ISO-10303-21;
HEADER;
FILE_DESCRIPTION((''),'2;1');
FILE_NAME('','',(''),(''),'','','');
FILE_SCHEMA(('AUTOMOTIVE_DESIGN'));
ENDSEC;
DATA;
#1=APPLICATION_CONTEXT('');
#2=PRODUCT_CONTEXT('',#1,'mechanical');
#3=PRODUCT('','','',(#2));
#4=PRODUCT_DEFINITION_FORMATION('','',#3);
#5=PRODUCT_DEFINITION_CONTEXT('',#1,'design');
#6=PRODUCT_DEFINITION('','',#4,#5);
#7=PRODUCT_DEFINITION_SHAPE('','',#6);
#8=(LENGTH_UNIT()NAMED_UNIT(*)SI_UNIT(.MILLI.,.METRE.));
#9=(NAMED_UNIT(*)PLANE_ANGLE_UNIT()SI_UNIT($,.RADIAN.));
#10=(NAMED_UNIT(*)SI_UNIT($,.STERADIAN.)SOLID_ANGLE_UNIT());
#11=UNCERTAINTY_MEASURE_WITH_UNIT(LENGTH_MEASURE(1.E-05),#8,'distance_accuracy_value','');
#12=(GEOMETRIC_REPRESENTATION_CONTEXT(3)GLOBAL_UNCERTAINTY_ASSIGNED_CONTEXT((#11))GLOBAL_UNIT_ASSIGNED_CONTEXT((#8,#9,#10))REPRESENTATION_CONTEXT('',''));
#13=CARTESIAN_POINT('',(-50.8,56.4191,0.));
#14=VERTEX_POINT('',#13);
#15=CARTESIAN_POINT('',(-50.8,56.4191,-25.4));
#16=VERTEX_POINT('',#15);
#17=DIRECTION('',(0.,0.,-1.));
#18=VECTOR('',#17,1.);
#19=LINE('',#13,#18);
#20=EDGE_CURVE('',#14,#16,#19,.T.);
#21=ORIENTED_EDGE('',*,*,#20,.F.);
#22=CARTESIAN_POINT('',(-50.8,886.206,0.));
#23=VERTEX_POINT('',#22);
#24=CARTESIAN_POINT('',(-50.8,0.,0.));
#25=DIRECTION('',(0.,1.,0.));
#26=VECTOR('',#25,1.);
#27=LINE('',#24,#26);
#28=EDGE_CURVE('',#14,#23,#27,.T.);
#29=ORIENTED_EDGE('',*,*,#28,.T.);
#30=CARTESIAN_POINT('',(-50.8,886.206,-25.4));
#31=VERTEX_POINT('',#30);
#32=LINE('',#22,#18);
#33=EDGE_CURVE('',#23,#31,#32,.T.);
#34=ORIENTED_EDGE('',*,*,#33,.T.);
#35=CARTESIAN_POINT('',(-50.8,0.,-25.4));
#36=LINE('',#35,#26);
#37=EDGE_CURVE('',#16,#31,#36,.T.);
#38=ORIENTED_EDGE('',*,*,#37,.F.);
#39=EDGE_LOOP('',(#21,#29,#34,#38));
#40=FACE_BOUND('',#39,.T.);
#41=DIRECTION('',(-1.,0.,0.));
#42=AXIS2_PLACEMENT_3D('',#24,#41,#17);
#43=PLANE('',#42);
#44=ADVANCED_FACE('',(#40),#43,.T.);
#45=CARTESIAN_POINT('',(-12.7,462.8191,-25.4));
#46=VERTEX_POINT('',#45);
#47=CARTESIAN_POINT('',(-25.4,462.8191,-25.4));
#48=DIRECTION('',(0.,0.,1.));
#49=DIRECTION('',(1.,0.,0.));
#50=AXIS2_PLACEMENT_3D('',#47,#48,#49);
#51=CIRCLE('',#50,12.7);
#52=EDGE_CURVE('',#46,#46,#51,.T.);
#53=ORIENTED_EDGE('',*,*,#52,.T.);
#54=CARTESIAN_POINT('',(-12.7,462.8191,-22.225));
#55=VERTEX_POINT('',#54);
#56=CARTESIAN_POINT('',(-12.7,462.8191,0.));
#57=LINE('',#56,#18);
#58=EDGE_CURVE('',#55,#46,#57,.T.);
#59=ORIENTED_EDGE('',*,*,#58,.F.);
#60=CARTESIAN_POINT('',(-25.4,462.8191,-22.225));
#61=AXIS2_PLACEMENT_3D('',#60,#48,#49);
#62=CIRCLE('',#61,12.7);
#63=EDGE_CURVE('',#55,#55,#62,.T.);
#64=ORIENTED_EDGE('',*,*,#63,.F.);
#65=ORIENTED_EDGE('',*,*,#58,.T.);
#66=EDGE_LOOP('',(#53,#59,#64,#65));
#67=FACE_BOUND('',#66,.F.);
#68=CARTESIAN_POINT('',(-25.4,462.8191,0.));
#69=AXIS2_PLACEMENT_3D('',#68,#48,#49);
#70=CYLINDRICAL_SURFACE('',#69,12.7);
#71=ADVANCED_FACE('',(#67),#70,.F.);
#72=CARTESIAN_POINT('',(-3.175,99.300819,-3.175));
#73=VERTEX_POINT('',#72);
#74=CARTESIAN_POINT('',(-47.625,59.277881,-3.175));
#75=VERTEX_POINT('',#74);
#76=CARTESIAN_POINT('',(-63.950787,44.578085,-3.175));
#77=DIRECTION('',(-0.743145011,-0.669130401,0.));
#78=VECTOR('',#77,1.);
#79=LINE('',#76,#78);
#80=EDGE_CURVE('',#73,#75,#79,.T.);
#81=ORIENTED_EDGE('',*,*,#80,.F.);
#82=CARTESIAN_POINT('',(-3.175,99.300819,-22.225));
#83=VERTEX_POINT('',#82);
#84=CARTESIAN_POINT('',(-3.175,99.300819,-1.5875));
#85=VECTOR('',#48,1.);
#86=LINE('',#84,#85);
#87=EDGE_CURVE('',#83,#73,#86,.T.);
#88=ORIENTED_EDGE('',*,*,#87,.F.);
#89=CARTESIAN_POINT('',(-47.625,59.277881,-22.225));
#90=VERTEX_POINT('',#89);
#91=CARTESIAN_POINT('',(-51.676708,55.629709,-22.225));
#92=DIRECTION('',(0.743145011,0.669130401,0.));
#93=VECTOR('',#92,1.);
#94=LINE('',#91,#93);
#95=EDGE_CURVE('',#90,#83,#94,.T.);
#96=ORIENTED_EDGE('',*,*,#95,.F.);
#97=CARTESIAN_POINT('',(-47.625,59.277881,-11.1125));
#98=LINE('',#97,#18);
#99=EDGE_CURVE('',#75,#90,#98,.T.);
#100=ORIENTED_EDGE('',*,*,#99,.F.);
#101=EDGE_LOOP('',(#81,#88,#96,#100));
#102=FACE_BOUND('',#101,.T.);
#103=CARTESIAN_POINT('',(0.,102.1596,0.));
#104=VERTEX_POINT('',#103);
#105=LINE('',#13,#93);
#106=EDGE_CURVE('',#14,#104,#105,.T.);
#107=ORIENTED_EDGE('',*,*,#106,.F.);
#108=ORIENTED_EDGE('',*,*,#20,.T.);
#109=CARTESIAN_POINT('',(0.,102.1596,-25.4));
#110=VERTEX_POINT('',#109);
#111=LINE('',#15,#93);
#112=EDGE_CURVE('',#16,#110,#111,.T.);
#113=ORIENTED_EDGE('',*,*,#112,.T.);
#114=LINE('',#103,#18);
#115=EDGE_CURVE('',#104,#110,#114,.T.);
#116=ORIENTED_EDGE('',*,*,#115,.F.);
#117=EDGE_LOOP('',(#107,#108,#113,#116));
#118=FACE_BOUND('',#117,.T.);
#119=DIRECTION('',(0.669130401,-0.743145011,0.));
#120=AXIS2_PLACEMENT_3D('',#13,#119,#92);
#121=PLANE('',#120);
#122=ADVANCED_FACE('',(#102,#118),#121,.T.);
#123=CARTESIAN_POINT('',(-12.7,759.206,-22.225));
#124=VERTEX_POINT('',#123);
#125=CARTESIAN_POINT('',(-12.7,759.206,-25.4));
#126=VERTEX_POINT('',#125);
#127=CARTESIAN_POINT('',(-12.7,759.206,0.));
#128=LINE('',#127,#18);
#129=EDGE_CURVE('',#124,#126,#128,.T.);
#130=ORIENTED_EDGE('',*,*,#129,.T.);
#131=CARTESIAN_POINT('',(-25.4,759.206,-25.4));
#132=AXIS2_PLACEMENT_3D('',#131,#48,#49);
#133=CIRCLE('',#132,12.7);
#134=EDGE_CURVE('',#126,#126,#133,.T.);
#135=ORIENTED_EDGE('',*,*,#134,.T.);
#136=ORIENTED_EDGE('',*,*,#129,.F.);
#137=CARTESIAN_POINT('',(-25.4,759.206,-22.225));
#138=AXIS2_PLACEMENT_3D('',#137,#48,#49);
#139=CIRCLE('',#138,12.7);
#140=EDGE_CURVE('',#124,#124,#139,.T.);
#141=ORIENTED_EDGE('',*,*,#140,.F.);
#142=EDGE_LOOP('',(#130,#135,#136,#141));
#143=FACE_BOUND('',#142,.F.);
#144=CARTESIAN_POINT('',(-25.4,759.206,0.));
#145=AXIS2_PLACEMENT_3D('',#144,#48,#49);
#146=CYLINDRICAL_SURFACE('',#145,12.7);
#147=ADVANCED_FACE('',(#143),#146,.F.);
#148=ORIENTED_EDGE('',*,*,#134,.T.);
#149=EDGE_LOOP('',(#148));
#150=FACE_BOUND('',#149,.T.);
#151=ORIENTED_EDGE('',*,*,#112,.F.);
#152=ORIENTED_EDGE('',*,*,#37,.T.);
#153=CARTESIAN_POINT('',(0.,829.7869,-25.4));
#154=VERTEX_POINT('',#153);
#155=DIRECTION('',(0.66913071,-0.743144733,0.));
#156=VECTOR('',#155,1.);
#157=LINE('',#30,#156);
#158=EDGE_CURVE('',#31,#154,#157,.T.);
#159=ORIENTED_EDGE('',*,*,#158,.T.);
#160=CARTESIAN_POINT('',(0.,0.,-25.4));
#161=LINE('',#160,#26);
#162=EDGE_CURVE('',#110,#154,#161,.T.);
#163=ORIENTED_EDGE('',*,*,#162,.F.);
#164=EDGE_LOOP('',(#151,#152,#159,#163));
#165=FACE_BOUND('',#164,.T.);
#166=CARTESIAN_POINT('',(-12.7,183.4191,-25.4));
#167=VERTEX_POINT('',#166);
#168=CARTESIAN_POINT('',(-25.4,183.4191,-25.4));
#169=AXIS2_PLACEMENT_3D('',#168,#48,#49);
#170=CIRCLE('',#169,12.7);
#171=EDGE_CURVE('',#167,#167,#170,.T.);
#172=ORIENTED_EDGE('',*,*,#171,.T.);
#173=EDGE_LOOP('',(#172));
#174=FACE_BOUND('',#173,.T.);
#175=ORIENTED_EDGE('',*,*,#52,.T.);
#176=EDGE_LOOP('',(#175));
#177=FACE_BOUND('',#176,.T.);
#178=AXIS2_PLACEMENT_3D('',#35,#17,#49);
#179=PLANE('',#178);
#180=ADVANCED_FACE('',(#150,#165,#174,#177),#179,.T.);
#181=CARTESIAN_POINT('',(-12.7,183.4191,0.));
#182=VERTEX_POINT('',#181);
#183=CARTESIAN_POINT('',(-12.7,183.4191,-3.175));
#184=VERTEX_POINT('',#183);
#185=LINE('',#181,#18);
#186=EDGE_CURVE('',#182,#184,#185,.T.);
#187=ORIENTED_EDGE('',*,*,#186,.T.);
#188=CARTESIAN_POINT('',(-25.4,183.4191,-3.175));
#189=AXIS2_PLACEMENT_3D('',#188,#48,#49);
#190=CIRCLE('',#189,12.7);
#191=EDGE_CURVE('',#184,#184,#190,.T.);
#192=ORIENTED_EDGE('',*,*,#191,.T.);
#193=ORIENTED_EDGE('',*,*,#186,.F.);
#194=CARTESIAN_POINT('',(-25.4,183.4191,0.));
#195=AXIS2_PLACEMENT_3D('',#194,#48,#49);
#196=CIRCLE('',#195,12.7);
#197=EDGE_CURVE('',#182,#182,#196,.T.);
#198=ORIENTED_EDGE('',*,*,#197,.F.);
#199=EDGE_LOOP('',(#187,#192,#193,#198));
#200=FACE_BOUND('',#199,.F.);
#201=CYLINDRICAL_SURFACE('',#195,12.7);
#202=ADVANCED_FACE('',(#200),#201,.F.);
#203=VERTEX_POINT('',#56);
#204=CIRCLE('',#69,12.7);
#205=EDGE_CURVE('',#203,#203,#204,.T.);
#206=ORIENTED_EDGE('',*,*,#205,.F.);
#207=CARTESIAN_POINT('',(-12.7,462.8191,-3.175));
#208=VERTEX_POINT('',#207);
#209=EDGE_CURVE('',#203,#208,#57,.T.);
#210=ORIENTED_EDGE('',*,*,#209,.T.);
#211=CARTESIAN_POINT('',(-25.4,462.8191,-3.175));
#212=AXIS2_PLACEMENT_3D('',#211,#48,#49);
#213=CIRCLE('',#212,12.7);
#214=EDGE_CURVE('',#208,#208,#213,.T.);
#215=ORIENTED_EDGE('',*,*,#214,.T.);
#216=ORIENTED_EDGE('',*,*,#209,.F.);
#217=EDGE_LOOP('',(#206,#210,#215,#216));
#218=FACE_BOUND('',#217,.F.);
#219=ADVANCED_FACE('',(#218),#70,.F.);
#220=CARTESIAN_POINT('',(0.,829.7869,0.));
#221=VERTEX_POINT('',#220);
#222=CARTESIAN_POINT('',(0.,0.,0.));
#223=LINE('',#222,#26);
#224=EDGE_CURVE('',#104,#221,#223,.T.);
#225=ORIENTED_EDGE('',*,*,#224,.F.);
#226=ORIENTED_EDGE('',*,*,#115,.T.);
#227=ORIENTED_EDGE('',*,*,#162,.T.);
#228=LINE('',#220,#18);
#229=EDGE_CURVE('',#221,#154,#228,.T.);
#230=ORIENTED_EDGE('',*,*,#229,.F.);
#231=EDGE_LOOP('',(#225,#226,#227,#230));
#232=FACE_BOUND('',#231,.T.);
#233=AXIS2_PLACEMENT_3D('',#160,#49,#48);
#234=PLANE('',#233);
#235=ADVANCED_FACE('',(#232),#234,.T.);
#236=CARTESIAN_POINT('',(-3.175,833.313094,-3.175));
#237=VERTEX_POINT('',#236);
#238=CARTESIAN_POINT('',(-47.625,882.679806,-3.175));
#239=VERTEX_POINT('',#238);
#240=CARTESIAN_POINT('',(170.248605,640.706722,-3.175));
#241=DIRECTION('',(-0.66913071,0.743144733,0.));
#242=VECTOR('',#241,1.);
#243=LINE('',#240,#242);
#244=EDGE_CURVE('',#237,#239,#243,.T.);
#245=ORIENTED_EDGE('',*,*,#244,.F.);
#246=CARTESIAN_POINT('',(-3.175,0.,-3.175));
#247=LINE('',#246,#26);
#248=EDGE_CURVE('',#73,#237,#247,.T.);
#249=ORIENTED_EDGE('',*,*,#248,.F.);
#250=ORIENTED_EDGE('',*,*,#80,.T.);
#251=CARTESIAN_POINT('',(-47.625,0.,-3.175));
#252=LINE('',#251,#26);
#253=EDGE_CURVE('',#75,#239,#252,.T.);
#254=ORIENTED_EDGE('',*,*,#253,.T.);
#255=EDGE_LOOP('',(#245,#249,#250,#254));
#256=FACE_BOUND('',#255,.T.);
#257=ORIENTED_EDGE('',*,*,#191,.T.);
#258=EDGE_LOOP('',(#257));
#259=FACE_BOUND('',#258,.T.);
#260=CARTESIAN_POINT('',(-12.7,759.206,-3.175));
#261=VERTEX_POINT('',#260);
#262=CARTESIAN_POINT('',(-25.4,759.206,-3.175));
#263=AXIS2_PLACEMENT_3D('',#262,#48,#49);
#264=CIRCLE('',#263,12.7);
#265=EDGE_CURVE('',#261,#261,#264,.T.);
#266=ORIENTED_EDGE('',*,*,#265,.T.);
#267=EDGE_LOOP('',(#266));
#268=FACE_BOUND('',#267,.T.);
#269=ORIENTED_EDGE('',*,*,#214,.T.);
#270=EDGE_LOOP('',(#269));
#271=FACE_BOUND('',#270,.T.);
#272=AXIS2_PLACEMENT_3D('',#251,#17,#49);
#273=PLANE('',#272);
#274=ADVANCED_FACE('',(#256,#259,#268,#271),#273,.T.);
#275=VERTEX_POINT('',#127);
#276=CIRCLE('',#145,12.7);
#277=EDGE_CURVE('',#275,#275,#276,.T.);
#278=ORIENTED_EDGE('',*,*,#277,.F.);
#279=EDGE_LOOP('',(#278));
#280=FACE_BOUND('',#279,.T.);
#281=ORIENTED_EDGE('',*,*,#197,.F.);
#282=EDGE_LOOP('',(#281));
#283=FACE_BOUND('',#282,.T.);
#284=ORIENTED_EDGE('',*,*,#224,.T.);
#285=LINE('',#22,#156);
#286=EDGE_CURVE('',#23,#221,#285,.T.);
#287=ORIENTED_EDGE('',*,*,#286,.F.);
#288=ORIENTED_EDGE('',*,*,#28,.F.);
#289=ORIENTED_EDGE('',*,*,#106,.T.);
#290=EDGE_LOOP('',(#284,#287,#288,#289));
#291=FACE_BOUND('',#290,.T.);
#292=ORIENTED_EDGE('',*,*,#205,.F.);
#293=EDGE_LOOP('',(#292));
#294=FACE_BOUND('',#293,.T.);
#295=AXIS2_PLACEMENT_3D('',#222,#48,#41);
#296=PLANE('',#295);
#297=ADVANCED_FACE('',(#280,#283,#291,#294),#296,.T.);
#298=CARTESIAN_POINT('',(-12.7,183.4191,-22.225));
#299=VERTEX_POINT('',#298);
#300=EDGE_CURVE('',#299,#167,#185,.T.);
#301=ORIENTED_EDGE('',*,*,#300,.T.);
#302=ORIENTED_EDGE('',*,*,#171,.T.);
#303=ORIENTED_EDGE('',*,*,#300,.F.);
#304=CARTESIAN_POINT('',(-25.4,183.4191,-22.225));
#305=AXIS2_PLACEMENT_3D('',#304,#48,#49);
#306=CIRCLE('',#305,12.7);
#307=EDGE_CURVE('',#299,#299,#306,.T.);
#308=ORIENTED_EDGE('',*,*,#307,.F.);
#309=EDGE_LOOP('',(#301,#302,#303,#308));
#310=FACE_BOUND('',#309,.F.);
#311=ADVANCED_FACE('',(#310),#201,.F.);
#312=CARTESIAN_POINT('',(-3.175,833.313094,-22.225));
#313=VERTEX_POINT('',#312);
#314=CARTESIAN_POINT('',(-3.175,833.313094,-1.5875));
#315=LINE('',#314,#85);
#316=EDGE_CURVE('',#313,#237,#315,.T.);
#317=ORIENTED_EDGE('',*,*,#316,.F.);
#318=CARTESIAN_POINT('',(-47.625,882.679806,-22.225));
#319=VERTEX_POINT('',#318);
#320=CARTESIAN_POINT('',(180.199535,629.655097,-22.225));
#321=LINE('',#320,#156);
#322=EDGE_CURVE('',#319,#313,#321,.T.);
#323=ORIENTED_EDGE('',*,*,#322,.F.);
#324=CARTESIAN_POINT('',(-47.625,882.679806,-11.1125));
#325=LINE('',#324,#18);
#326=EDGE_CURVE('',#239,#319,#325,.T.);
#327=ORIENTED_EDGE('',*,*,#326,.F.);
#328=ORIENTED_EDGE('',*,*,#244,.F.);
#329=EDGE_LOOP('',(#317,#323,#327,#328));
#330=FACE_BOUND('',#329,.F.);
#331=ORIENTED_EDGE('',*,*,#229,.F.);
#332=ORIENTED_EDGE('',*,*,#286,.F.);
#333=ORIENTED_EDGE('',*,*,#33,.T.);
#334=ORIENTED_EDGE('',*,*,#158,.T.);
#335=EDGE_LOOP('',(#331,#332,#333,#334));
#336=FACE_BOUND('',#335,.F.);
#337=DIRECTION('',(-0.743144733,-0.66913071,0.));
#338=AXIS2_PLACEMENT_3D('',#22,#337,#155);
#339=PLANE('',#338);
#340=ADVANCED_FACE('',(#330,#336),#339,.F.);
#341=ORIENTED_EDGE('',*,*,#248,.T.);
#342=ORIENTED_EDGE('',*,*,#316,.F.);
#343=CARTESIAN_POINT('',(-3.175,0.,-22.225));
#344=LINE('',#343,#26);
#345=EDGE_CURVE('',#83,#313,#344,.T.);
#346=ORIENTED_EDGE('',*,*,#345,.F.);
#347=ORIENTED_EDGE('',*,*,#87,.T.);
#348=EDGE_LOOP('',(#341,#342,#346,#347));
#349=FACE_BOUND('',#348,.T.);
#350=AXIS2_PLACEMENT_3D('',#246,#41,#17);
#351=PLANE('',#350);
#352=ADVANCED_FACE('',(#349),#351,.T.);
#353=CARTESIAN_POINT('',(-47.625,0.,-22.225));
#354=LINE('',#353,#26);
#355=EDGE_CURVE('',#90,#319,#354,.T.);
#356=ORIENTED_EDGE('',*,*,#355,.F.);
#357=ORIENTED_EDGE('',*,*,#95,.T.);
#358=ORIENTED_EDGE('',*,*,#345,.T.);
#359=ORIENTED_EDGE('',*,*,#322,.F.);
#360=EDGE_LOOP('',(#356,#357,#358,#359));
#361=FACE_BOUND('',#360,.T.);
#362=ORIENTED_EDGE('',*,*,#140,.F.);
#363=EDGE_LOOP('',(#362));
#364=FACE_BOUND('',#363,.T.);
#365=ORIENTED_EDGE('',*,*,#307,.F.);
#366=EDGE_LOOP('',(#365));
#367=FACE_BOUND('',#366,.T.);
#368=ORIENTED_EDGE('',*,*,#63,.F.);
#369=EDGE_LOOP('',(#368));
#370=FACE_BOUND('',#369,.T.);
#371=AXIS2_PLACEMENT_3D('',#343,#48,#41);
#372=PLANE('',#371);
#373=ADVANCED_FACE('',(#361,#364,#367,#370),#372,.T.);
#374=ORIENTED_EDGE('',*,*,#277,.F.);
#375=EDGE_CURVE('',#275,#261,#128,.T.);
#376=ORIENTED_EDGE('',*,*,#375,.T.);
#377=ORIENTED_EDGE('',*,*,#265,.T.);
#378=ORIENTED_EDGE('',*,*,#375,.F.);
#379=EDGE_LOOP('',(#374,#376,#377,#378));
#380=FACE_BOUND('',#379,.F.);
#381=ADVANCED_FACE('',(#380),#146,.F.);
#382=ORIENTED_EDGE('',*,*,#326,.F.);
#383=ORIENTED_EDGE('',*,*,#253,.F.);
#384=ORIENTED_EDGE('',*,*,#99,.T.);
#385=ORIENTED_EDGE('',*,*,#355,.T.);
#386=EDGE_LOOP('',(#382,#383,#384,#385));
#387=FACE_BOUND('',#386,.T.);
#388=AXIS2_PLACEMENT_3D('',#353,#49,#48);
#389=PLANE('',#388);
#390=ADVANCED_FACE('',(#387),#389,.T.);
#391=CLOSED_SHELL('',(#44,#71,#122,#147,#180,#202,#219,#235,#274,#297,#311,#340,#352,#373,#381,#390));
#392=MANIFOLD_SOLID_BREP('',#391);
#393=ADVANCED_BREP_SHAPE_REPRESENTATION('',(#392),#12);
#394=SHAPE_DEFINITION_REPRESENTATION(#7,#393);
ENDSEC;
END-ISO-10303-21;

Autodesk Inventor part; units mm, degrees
ref_plane "YZ Plane" through (0, 0, 0) normal (1, 0, 0) x (0, 1, 0)
ref_plane "XZ Plane" through (0, 0, 0) normal (0, 1, 0) x (-1, 0, 0)
ref_plane "XY Plane" through (0, 0, 0) normal (0, 0, 1) x (1, 0, 0)
sketch "Sketch1" plane through (0, 0, 0) normal (0, 1, 0) x (-1, 0, 0)
  line L0 (0, 0) -> (50.8, 0)
  line L1 (50.8, 0) -> (50.8, -25.4)
  line L2 (50.8, -25.4) -> (0, -25.4)
  line L3 (0, -25.4) -> (0, 0)
  line L4 (47.625, -22.225) -> (47.625, -3.175)
  line L5 (47.625, -3.175) -> (3.175, -3.175)
  line L6 (3.175, -3.175) -> (3.175, -22.225)
  line L7 (3.175, -22.225) -> (47.625, -22.225)
  dimension "d0" = 50.8
  dimension "d1" = 25.4
  dimension "d2" = 3.175
extrude "Extrusion1" add sketch "Sketch1" along normal blind 886.206
sketch "Sketch2" plane through (-50.8, 0, 0) normal (0, 0, 1) x (1, 0, 0)
  line L0 (50.8, 0) -> (0, 0) projected
  line L1 (50.8, 0) -> (50.8, 886.206) projected
  line L2 (0, 886.206) -> (50.8, 886.206) projected
  line L3 (0, 0) -> (0, 886.206) projected
  line L4 (0, 0) -> (50.8, 0) projected
  line L5 (50.8, 0) -> (0, 56.4191)
  line L6 (0, 56.4191) -> (50.8, 56.4191)
  line L7 (50.8, 56.4191) -> (50.8, 0)
  line L8 (50.8, 0) -> (0, 0)
  line L9 (0, 0) -> (0, 56.4191)
  line L10 (0, 56.4191) -> (50.8, 0)
  line L11 (0, 56.4191) -> (21.859, 0)
  line L12 (47.625, 0) -> (3.175, 0) projected
  dimension "d5" = 48
extrude "Extrusion2" cut sketch "Sketch2" against normal blind 914.4 contours L0 L11 L5 | L11 L0 L3
sketch "Sketch3" plane through (-50.8, 886.206, 0) normal (0, 0, 1) x (1, 0, 0)
  line L0 (0, -829.7869) -> (50.8, -886.206) projected
  line L1 (50.8, -886.206) -> (50.8, 0) projected
  line L2 (0, 0) -> (50.8, 0) projected
  line L3 (0, -829.7869) -> (0, 0) projected
  line L4 (0, -829.7869) -> (50.8, -886.206) projected
  line L5 (0, -829.7869) -> (50.8, -784.0464)
  line L6 (50.8, -886.206) -> (50.8, 0) projected
  line L7 (0, -829.7869) -> (0, 0) projected
  line L8 (50.8, -886.206) -> (0, -886.206)
  line L9 (0, -886.206) -> (0, -923.3654)
  line L10 (0, -923.3654) -> (50.8, -923.3654)
  line L11 (50.8, -923.3654) -> (50.8, -886.206)
  dimension "d8" = 90
extrude "Extrusion3" cut sketch "Sketch3" against normal blind 25.4 contours L5 L1 L0
sketch "Sketch4" plane through (-50.8, 886.206, 0) normal (0, 0, 1) x (1, 0, 0)
  line L0 (0, -829.7869) -> (50.8, -784.0464) projected
  line L1 (50.8, -784.0464) -> (50.8, 0) projected
  line L2 (0, 0) -> (50.8, 0) projected
  line L3 (0, -829.7869) -> (0, 0) projected
  line L4 (0, 0) -> (50.8, 0) projected
  line L5 (0, 0) -> (50.8, 0)
  line L6 (50.8, 0) -> (50.8, -221.7928)
  line L7 (50.8, -221.7928) -> (0, -221.7928)
  line L8 (0, -221.7928) -> (0, 0)
  line L9 (0, -829.7869) -> (0, 0) projected
  line L10 (0, 0) -> (50.8, -56.4191)
  line L11 (50.8, 0) -> (0, 0)
  line L12 (0, 0) -> (0, -56.4191)
  line L13 (0, -56.4191) -> (50.8, -56.4191)
  line L14 (50.8, -56.4191) -> (50.8, 0)
  point P0 (50.8, -886.206)
  dimension "d11" = 221.7928
  dimension "d12" = 48
  dimension "d13" = 56.4191
extrude "Extrusion4" cut sketch "Sketch4" against normal blind 25.4 contours L10 L2 L1
sketch "Sketch8" plane through (-50.8, 56.4191, 0) normal (0, 0, 1) x (1, 0, 0)
  circle A0 centre (25.4, 702.7869) radius 12.7
  line L0 (0, 0) -> (0, 829.7869) projected
  circle A1 centre (25.4, 127) radius 12.7
  circle A2 centre (25.4, 406.4) radius 12.7
  point P0 (50.8, -56.4191)
  dimension "d24" = 25.4
  dimension "d25" = 25.4
  dimension "d26" = 127
  dimension "d27" = 25.4
  dimension "d28" = 25.4
  dimension "d29" = 127
  dimension "d32" = 25.4
  dimension "d37" = 279.4
extrude "Extrusion8" cut sketch "Sketch8" against normal blind 25.4
properties part number "AngleBrace.ver1-1111-2020"
